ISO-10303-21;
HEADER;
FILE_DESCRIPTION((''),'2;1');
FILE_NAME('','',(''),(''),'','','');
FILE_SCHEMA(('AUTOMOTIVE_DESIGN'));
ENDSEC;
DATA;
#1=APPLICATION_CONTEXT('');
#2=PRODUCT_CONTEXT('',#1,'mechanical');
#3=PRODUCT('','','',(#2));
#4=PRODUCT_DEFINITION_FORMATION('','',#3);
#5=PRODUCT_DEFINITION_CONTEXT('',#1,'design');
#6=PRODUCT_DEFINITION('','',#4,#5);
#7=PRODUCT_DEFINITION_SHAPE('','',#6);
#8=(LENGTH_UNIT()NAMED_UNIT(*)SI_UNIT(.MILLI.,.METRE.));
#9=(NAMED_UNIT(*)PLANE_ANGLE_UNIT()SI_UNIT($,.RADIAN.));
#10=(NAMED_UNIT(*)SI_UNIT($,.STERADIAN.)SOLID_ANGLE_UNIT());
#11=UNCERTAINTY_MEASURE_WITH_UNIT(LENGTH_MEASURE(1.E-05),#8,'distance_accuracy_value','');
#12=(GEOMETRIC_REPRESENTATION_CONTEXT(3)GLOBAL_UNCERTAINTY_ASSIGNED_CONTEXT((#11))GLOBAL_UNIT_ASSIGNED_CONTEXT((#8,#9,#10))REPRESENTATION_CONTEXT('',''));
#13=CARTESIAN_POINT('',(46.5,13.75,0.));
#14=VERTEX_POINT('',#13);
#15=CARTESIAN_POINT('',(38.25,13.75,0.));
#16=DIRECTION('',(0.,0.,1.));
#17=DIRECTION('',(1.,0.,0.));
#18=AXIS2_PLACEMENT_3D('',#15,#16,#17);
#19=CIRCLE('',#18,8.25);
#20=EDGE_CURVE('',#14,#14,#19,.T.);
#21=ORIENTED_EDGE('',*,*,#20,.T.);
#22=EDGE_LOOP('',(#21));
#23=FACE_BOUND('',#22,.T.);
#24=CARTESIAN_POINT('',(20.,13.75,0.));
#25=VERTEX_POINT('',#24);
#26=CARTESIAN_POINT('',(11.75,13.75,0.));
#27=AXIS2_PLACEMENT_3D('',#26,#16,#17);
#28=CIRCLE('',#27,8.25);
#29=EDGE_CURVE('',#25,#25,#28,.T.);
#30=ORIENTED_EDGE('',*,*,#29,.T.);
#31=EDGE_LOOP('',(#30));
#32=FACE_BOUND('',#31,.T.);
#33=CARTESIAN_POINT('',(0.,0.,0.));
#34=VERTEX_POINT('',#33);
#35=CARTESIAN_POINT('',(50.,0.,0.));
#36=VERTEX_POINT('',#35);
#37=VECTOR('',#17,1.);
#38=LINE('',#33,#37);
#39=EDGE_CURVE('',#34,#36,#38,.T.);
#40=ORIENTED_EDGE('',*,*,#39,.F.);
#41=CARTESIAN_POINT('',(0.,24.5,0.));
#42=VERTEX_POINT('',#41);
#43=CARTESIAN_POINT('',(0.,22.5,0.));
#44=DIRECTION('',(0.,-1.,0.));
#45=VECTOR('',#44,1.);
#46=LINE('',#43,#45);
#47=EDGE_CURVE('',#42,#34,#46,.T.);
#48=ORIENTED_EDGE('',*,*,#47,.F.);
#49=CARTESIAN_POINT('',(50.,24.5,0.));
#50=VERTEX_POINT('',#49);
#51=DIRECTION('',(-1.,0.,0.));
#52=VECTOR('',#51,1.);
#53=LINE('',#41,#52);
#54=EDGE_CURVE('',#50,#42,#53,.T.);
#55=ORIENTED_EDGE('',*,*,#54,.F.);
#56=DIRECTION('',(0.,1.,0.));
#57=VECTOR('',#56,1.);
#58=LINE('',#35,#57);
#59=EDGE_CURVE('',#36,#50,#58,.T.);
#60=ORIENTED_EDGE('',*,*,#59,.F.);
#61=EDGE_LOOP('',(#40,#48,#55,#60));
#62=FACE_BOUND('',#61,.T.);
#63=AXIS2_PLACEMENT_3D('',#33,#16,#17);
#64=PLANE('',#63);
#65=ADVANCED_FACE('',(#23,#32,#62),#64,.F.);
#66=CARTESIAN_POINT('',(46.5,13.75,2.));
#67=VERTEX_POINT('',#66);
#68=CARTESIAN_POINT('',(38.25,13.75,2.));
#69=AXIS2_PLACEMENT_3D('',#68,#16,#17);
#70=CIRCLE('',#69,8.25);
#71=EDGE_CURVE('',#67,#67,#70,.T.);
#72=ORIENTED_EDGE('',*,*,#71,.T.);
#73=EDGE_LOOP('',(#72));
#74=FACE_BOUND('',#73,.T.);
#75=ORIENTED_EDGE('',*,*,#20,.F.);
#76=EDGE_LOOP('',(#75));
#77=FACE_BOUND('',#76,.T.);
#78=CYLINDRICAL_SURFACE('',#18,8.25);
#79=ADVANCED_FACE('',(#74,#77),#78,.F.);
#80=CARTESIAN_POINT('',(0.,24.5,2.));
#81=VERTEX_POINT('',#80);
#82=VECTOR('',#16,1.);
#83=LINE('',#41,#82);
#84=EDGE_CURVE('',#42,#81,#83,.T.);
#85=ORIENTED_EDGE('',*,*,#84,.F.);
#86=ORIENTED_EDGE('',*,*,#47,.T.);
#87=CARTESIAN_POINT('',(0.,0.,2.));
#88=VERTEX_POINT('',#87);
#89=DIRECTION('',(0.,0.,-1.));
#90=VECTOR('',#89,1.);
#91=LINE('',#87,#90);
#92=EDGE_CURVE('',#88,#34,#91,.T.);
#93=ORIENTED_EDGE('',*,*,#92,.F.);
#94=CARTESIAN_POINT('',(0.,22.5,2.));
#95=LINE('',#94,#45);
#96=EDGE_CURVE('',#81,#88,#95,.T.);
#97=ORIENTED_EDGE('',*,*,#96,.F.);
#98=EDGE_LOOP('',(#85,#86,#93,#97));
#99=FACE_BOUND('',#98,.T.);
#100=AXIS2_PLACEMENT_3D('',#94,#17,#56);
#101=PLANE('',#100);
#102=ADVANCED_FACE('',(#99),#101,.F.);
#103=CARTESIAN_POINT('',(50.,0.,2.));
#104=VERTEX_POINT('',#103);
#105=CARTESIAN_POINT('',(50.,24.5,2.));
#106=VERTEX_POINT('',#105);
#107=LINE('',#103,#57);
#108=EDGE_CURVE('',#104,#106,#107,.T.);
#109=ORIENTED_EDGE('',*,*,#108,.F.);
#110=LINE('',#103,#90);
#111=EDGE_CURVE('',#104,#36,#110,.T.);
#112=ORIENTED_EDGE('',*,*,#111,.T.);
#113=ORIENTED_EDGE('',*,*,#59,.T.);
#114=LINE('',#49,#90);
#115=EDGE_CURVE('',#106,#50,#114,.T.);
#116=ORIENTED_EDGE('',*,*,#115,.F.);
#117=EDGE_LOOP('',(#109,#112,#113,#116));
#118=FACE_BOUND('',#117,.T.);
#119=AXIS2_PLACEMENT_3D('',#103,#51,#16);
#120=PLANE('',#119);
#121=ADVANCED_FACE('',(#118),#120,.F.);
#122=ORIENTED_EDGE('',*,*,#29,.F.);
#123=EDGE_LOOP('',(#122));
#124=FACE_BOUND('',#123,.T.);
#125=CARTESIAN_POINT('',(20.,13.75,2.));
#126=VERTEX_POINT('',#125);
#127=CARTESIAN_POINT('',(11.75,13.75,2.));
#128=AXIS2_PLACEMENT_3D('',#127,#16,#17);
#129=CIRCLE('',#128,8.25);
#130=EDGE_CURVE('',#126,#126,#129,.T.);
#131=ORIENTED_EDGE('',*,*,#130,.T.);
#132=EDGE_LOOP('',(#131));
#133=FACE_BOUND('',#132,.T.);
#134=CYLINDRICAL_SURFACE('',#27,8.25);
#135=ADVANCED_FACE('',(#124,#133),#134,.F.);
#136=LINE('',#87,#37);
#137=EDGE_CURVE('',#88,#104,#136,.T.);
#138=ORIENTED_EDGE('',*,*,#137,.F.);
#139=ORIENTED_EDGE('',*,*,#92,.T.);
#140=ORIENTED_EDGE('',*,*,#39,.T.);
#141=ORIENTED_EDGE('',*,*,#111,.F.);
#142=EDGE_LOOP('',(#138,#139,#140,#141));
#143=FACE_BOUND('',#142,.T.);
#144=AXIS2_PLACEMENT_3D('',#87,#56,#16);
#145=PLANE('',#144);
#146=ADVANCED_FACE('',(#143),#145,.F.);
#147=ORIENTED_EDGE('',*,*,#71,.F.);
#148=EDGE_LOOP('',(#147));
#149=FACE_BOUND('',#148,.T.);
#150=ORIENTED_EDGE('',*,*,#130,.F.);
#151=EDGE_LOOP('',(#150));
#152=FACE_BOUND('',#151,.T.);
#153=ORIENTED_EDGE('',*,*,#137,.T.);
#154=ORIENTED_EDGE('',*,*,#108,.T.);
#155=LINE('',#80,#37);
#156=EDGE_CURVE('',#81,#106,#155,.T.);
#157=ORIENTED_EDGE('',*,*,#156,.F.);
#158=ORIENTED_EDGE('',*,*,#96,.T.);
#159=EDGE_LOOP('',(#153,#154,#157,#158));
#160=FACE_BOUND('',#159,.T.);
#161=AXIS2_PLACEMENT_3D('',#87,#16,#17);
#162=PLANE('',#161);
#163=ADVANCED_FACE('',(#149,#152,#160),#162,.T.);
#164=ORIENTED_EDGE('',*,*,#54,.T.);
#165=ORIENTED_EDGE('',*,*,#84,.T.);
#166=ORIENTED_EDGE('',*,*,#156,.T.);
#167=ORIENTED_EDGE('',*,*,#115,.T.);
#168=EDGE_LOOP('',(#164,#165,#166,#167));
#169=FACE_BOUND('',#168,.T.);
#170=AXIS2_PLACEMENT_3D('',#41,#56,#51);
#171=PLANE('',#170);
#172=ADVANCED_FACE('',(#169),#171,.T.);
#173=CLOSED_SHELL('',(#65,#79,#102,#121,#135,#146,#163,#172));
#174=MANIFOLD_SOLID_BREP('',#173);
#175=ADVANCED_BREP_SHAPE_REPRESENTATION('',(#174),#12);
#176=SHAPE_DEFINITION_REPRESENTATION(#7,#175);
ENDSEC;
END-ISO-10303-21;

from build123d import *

# Parameters (mm, degrees)
SKETCH1_W           = 50
SKETCH1_H           = 22.5
BOSS_EXTRUDE1_DEPTH = 2
SKETCH2_R           = 8.25
CUT_EXTRUDE1_DEPTH  = 2
SKETCH3_W           = 50
SKETCH3_H           = 2
BOSS_EXTRUDE2_DEPTH = 2


with BuildPart() as part:
    # Sketch1 → Boss-Extrude1 (new body)
    with BuildSketch(Plane.XY):
        with Locations((25, 11.25)):
            Rectangle(SKETCH1_W, SKETCH1_H)
    extrude(amount=BOSS_EXTRUDE1_DEPTH)

    # Sketch2 → Cut-Extrude1 (cut)
    with BuildSketch(Plane.XY.offset(2)):
        with Locations((11.75, 13.75)):
            Circle(SKETCH2_R)
        with Locations((38.25, 13.75)):
            Circle(SKETCH2_R)
    extrude(amount=-CUT_EXTRUDE1_DEPTH, mode=Mode.SUBTRACT)

    # Sketch3 → Boss-Extrude2 (add)
    with BuildSketch(Plane(origin=(0, 22.5, 0), x_dir=(1, 0, 0), z_dir=(0, 1, 0))):
        with Locations((25, -1)):
            Rectangle(SKETCH3_W, SKETCH3_H)
    extrude(amount=BOSS_EXTRUDE2_DEPTH)


solid = part.part
